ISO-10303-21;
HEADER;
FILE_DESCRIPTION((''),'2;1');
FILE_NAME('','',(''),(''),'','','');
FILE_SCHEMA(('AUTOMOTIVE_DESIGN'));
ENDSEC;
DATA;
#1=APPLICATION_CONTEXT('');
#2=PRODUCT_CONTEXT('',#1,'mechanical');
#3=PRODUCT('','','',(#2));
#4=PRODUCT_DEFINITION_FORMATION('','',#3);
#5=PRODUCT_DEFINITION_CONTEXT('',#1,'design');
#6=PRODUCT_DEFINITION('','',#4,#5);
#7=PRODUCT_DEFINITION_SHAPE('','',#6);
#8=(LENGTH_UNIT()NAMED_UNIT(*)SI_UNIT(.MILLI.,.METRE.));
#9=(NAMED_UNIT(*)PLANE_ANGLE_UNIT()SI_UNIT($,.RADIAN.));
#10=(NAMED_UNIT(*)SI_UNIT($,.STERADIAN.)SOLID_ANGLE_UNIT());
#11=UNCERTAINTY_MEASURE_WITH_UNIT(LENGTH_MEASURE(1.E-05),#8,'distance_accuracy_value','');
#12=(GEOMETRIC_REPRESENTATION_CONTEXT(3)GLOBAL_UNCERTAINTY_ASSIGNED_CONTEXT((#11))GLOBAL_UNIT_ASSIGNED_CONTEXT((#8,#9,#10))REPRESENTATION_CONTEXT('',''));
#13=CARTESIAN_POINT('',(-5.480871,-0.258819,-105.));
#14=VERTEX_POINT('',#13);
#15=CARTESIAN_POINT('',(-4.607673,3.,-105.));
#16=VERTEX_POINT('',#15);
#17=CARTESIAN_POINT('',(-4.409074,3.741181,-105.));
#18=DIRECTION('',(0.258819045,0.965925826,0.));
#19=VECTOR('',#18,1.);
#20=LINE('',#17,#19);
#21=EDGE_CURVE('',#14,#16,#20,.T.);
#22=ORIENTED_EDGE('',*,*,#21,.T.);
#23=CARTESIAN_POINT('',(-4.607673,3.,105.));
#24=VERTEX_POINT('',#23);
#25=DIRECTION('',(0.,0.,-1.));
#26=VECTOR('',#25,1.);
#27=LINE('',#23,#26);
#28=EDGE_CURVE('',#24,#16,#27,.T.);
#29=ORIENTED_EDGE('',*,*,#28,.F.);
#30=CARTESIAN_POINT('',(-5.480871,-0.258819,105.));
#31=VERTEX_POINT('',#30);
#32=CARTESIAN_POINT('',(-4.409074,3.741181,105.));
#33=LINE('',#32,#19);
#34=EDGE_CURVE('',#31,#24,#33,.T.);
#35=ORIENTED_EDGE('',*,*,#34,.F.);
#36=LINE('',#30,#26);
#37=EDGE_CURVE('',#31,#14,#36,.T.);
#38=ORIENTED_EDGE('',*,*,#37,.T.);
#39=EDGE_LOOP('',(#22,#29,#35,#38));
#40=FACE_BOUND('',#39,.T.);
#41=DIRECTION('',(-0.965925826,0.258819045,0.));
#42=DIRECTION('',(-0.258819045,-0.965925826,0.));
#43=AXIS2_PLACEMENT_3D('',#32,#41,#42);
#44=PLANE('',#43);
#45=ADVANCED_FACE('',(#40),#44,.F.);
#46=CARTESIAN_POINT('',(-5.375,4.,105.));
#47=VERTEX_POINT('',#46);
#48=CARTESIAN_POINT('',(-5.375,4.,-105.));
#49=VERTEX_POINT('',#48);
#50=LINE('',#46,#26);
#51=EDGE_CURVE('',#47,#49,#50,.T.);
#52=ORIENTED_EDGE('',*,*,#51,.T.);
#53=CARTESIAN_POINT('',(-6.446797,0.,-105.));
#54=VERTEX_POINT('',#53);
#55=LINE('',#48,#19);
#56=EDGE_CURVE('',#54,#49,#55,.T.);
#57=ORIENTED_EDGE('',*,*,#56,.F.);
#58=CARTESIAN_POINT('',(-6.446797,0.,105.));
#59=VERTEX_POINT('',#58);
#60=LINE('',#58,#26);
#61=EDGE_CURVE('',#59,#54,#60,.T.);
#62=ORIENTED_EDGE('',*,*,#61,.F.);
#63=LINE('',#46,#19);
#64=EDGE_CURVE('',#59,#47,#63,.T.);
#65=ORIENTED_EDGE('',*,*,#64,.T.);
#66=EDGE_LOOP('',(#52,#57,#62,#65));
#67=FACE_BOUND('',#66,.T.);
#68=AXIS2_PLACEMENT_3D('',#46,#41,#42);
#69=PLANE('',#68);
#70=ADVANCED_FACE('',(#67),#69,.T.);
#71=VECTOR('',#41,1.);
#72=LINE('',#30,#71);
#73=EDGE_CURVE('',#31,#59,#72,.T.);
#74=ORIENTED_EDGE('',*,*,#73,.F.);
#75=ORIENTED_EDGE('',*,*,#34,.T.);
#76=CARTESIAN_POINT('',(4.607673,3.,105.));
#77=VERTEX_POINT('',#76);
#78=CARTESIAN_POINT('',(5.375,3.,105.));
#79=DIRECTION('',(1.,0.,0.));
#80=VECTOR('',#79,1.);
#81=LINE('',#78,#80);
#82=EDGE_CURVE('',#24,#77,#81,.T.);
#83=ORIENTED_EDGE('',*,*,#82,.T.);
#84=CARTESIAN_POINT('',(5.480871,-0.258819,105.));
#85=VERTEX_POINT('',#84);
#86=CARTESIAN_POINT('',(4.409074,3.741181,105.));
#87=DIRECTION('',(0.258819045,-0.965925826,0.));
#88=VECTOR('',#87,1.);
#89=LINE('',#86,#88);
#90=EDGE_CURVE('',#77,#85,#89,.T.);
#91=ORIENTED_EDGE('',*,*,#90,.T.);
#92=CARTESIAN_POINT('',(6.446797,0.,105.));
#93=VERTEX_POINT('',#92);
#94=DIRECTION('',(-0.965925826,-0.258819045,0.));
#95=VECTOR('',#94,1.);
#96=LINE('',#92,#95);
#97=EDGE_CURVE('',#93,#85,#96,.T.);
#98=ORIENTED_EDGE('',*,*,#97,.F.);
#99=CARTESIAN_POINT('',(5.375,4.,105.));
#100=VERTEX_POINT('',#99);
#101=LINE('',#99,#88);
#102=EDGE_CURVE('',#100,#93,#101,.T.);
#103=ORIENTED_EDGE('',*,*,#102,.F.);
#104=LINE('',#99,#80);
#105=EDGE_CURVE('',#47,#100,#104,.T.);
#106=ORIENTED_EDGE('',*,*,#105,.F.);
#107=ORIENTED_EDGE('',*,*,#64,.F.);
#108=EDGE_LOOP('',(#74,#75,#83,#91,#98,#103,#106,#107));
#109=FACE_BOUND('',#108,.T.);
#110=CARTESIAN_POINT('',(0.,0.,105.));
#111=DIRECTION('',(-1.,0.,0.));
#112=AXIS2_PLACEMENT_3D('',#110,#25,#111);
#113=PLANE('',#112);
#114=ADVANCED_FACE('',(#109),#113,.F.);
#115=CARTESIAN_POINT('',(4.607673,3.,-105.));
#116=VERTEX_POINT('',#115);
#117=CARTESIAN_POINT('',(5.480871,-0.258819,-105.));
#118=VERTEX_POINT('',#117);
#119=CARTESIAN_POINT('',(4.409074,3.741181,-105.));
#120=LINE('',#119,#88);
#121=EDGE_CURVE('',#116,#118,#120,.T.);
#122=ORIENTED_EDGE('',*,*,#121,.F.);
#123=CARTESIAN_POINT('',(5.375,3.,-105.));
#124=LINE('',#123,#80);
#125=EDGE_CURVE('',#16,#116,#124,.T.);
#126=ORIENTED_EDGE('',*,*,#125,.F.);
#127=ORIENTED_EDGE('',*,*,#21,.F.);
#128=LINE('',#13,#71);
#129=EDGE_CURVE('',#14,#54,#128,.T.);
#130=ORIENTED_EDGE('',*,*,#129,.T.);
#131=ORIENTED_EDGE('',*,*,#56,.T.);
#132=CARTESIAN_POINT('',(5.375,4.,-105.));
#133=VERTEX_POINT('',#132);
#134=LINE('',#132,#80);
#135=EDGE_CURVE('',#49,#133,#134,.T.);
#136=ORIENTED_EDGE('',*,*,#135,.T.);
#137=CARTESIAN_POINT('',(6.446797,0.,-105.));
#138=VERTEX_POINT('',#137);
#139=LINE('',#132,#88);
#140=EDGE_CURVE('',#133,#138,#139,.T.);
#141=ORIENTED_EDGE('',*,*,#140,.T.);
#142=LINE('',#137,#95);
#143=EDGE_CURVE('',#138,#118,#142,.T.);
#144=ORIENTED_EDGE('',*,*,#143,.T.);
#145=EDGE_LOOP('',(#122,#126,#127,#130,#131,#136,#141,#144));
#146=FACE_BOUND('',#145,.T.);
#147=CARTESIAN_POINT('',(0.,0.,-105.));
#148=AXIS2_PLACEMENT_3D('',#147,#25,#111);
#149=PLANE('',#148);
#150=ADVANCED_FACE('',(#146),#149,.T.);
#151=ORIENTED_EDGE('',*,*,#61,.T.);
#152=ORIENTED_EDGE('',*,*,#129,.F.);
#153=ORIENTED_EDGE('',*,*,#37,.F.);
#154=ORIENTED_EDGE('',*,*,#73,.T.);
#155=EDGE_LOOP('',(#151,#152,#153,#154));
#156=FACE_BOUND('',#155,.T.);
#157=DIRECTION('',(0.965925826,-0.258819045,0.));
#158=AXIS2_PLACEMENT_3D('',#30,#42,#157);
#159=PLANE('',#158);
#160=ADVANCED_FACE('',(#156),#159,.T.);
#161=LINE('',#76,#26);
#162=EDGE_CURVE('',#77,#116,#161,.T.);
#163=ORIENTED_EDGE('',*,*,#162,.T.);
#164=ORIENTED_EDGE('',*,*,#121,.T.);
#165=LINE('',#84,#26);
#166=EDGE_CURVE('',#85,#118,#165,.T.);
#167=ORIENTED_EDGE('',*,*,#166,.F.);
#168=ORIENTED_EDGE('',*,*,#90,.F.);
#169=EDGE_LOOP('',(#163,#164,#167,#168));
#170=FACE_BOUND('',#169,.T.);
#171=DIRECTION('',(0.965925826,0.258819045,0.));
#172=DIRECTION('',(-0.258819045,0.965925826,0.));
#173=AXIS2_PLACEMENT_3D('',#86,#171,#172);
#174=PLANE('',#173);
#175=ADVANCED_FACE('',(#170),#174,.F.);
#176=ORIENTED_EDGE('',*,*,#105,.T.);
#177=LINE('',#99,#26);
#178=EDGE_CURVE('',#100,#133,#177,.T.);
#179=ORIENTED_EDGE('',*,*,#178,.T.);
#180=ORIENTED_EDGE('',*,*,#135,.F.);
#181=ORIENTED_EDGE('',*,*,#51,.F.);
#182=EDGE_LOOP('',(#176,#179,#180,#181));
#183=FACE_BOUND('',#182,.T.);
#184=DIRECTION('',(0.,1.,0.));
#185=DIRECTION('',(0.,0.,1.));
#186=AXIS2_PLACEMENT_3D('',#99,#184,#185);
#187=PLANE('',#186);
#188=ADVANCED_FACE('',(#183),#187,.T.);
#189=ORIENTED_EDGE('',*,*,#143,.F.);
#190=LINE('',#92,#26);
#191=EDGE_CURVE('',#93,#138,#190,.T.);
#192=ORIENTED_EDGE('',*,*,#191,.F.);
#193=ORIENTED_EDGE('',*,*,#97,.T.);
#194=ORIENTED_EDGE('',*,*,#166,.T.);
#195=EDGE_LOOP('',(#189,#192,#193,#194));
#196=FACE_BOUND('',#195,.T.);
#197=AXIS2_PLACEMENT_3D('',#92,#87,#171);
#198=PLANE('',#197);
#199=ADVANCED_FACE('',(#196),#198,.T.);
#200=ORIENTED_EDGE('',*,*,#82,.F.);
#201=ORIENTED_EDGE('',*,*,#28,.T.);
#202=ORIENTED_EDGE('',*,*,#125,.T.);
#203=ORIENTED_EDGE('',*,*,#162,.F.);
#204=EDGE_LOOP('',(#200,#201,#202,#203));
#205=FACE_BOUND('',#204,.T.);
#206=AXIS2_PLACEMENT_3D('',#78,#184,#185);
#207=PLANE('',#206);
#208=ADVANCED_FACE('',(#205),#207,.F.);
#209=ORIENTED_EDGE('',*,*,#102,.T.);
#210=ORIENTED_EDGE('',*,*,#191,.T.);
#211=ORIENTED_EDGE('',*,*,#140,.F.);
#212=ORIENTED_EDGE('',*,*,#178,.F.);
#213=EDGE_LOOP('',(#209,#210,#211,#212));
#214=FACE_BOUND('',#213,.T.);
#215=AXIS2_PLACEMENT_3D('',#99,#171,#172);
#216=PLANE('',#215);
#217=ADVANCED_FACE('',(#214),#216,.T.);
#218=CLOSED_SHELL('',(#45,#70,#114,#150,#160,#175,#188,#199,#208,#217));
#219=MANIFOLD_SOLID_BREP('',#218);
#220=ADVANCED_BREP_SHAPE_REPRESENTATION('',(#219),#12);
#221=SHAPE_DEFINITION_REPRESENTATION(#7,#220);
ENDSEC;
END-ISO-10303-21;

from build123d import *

# Parameters (mm, degrees)
EXTRUDE_THIN1_DEPTH = 105


with BuildPart() as part:
    # Sketch2 → Extrude-Thin1 (new, symmetric)
    with BuildSketch(Plane.XY):
        Polygon((6.44679677, 0), (5.375, 4), (-5.375, 4), (-6.44679677, 0), (-5.480870943, -0.258819045), (-4.607673012, 3), (4.607673012, 3), (5.480870943, -0.258819045), align=None)
    extrude(amount=EXTRUDE_THIN1_DEPTH, both=True)


solid = part.part
